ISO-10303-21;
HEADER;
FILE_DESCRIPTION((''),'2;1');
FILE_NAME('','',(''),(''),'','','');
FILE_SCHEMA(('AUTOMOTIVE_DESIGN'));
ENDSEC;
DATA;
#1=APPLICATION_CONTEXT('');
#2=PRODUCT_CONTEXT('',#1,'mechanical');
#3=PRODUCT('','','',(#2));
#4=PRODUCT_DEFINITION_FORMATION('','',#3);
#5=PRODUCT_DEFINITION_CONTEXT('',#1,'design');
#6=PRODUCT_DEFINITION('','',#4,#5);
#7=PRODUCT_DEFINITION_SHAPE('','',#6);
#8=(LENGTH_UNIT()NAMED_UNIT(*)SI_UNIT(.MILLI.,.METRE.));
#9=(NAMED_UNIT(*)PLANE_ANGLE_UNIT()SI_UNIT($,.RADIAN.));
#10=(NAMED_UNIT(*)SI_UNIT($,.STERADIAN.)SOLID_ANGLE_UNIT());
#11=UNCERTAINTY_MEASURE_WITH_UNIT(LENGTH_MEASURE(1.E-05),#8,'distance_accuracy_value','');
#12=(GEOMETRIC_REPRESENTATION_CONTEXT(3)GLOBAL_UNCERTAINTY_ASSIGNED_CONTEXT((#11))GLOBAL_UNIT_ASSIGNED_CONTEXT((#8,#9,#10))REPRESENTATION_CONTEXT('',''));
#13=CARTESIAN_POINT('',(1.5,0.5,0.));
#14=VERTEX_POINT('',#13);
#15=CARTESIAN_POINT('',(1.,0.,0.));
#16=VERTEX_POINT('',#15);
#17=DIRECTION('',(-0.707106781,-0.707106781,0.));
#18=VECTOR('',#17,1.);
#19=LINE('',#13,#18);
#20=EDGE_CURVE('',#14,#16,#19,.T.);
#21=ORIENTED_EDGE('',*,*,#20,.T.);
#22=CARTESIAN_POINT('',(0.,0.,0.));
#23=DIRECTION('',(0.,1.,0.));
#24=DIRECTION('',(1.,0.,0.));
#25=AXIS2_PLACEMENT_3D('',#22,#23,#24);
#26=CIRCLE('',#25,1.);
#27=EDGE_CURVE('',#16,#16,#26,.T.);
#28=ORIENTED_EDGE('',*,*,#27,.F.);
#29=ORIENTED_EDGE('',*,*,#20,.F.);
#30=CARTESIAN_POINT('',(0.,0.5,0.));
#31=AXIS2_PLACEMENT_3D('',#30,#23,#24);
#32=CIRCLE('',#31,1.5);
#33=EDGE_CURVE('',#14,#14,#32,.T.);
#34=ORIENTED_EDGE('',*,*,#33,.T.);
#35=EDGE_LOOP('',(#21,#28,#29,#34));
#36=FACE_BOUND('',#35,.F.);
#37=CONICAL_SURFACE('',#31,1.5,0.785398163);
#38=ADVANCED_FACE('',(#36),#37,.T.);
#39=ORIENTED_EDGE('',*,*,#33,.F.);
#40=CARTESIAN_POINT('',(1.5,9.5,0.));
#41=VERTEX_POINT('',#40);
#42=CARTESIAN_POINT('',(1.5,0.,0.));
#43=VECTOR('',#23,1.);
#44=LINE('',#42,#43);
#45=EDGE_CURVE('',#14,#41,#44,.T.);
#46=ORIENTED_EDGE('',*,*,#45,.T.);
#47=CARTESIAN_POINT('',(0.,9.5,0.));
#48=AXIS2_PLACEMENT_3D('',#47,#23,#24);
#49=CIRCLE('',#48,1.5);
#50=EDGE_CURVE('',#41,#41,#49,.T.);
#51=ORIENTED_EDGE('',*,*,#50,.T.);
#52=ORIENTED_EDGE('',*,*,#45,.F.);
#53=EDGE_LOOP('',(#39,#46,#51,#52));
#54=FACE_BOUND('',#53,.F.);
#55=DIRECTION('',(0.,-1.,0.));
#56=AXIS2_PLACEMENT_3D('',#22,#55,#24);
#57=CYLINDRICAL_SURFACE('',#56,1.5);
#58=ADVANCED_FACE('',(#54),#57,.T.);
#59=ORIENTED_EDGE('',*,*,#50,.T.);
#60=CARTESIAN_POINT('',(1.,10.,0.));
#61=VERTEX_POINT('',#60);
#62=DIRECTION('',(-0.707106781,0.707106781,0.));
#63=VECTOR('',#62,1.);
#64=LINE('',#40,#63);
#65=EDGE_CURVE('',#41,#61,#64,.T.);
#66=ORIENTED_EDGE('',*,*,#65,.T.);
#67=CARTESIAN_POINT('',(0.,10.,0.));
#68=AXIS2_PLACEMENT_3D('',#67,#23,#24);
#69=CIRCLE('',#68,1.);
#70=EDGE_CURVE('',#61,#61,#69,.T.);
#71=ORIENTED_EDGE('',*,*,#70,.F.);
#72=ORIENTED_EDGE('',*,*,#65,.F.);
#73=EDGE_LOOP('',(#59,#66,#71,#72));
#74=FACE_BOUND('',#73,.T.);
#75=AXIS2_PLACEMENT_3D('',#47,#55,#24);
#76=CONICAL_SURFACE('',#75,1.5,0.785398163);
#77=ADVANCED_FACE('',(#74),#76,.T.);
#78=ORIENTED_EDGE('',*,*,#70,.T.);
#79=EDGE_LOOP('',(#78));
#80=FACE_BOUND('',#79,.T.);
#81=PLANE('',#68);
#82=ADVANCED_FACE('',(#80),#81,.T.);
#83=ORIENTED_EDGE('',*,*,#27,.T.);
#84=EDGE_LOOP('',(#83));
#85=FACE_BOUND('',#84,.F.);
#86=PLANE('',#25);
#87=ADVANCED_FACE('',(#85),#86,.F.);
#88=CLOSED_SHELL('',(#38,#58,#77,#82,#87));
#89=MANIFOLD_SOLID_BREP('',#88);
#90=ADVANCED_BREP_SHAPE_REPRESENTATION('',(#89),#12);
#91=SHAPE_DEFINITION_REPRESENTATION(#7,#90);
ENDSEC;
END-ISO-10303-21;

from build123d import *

# Parameters (mm, degrees)
SKETCH1_R           = 1.5
BOSS_EXTRUDE1_DEPTH = 10
CHAMFER1_SIZE       = 0.5


with BuildPart() as part:
    # Sketch1 → Boss-Extrude1 (new body)
    with BuildSketch(Plane(origin=(0, 0, 0), x_dir=(1, 0, 0), z_dir=(0, 1, 0))):
        Circle(SKETCH1_R)
    extrude(amount=BOSS_EXTRUDE1_DEPTH)

    # Chamfer1
    chamfer1_edges = [part.edges().sort_by_distance(p)[0] for p in [
        (-1.5, 0, 0),
        (-1.5, 10, 0),
    ]]
    chamfer(chamfer1_edges, length=CHAMFER1_SIZE)


solid = part.part
